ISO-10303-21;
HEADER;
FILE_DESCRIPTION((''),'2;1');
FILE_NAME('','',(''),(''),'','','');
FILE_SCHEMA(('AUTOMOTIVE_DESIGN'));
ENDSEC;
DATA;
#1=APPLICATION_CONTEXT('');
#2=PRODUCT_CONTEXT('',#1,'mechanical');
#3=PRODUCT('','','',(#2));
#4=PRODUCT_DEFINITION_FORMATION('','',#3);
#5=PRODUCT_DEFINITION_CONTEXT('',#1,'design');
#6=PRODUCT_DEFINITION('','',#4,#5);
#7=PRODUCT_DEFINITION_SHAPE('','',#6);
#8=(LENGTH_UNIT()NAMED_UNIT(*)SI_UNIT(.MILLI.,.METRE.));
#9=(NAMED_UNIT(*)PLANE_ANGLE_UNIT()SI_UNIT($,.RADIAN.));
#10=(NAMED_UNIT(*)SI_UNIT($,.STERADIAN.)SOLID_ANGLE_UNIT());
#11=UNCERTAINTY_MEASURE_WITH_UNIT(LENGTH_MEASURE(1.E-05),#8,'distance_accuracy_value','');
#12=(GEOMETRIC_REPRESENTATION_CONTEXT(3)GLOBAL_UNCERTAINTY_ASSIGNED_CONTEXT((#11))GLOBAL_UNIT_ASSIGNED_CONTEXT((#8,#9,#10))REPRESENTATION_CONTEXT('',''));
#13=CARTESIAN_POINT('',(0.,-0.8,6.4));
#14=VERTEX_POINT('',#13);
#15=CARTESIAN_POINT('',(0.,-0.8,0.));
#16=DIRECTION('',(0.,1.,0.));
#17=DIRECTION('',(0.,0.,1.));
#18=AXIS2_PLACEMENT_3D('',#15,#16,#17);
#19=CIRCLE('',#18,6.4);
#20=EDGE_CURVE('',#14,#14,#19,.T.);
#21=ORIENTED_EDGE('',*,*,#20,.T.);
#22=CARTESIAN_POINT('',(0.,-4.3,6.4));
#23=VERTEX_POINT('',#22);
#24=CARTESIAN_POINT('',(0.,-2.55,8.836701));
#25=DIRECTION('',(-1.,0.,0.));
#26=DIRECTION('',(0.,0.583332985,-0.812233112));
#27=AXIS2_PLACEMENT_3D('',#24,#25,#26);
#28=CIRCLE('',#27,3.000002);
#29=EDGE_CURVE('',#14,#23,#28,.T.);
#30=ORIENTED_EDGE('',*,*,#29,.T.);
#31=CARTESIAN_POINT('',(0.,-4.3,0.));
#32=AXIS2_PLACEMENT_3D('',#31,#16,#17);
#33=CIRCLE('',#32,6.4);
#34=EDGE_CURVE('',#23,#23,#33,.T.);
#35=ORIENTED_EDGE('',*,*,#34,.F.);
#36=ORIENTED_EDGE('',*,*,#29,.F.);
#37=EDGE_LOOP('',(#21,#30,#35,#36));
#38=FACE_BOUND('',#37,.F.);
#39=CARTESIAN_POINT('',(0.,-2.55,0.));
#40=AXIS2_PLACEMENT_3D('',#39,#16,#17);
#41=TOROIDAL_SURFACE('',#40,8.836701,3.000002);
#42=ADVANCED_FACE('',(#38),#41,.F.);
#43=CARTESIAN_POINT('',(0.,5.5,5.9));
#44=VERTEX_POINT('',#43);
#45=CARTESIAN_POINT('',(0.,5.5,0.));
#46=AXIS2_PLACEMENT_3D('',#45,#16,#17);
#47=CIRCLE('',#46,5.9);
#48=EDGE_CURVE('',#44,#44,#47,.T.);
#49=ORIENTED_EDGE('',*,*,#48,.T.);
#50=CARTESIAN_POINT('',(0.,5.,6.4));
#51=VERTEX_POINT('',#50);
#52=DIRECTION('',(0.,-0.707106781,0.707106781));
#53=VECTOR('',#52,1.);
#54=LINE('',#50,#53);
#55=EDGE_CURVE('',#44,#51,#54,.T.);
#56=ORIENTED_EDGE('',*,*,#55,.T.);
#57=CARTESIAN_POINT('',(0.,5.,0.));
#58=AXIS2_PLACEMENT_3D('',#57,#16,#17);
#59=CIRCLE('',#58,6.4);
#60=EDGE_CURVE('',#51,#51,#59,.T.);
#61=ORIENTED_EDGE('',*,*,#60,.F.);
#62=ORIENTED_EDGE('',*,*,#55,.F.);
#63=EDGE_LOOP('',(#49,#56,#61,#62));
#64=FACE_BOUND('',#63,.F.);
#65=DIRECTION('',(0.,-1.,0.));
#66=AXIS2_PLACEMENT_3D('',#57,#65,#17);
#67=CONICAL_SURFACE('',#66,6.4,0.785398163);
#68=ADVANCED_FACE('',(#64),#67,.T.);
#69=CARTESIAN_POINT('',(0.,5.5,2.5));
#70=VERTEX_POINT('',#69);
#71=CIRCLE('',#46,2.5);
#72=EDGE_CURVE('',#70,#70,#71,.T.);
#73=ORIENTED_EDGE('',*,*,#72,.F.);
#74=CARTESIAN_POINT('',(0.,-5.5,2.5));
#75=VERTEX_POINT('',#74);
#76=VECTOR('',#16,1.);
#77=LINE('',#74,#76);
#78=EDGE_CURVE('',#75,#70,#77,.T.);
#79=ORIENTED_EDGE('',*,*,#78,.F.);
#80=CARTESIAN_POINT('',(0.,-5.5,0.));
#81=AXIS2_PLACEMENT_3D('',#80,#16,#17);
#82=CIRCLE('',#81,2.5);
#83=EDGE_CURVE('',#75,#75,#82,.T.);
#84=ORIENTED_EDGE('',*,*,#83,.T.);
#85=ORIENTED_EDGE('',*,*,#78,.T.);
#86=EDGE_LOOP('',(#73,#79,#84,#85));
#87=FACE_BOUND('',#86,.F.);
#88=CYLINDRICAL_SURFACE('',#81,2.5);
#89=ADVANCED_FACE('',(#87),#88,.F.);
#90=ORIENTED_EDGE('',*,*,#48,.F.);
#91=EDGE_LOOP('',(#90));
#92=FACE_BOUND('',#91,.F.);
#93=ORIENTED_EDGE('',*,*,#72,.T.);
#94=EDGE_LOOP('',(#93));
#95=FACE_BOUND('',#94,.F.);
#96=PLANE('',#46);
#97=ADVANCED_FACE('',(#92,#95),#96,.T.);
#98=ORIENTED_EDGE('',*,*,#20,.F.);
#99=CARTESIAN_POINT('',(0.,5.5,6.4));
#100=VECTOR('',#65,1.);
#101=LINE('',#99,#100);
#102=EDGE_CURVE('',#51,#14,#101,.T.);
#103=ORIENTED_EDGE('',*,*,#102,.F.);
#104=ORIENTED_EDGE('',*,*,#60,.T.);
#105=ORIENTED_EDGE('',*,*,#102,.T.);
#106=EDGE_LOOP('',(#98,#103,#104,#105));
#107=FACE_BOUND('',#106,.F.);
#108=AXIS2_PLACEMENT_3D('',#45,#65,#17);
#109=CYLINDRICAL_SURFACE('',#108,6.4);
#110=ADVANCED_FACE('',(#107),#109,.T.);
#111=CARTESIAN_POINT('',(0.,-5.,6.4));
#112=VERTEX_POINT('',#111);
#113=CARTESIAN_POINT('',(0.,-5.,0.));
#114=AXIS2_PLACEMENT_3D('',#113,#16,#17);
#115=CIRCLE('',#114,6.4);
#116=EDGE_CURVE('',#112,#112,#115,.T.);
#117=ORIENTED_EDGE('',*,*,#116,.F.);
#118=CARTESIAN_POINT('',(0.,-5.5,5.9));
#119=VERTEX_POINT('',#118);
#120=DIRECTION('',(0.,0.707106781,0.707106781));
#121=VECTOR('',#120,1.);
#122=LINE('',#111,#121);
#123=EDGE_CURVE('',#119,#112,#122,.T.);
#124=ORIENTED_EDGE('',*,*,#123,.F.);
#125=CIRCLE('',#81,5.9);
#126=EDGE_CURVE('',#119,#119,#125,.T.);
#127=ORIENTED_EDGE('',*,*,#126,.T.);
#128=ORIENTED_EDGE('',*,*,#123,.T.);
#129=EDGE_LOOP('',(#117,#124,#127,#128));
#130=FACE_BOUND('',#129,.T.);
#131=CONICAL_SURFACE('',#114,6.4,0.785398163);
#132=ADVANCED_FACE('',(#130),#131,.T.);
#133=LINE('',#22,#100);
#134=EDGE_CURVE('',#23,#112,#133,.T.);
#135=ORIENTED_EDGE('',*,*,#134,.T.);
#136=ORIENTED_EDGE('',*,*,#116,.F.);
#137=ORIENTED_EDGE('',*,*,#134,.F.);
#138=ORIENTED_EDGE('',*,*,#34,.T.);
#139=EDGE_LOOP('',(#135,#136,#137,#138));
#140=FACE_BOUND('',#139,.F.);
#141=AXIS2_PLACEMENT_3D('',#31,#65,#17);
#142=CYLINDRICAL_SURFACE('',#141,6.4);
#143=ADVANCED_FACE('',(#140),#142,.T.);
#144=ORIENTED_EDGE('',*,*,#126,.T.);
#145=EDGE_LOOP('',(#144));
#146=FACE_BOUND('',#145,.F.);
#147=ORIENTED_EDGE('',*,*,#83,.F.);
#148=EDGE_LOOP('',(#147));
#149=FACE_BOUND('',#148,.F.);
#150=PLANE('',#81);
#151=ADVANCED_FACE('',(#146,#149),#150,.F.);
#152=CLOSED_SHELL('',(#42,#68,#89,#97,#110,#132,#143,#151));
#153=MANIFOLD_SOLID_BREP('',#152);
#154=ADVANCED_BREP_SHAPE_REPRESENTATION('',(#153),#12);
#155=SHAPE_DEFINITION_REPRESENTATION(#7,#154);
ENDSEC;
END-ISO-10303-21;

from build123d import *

# Parameters (mm, degrees)
F3_SIZE = 0.5


with BuildPart() as f2:
    # F0 (on Right) → F2 (revolve)
    with BuildSketch(Plane.YZ):
        with BuildLine():
            Line((-5.5, 6.4), (-5.5, 2.5))
            Line((-5.5, 2.5), (5.5, 2.5))
            Line((5.5, 2.5), (5.5, 6.4))
            Line((5.5, 6.4), (-0.8, 6.4))
            ThreePointArc((-0.8, 6.4), (-2.55, 5.836699), (-4.3, 6.4))
            Line((-4.3, 6.4), (-5.5, 6.4))
        make_face()
    revolve(axis=Axis((0, 2.864314, 0), (0, 1, 0)))

    # F3
    f3_edges = [f2.edges().sort_by_distance(p)[0] for p in [
        (0, -5.5, -6.4),
        (0, 5.5, -6.4),
    ]]
    chamfer(f3_edges, length=F3_SIZE)


solid = f2.part
